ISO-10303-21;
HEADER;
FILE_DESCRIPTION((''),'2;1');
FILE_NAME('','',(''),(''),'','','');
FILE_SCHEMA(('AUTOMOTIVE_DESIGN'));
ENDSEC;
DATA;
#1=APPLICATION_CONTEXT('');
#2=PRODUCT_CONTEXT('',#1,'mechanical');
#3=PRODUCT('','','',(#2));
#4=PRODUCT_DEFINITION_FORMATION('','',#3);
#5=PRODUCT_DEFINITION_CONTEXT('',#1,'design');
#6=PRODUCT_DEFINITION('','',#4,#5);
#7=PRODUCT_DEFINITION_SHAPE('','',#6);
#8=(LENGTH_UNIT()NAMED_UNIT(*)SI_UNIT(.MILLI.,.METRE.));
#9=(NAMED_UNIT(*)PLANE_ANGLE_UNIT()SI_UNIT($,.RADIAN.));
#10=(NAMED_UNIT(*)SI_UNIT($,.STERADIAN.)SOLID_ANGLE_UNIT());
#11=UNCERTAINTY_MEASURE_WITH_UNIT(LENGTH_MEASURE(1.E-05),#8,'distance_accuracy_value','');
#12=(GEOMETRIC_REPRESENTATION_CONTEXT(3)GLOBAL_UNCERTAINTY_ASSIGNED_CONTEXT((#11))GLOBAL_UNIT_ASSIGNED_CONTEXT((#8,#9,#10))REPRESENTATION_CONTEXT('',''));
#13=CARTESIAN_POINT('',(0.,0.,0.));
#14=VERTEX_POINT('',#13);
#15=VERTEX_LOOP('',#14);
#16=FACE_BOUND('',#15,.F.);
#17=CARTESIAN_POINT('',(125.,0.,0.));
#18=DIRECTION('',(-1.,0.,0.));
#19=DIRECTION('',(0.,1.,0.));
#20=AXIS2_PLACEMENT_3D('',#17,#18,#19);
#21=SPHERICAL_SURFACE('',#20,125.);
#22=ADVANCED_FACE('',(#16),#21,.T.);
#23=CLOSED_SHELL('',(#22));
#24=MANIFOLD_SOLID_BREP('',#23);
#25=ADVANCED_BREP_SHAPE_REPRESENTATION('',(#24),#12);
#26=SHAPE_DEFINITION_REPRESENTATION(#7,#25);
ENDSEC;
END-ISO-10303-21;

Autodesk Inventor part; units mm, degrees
ref_plane "YZ Plane" through (0, 0, 0) normal (1, 0, 0) x (0, 1, 0)
ref_plane "XZ Plane" through (0, 0, 0) normal (0, 1, 0) x (-1, 0, 0)
ref_plane "XY Plane" through (0, 0, 0) normal (0, 0, 1) x (1, 0, 0)
sketch "Sketch1" plane through (0, 0, 0) normal (0, 0, 1) x (1, 0, 0)
  line L0 (0, 0) -> (250, 0)
  arc A0 (250, 0) -> (0, 0) centre (125, 0) ccw
  dimension "d0" = 250
revolve "Revolution1" add sketch "Sketch1" angle 360 about axis through (0, 0, 0) along (1, 0, 0)
properties part number "Cannonball" material "Steel, Mild, Welded"
